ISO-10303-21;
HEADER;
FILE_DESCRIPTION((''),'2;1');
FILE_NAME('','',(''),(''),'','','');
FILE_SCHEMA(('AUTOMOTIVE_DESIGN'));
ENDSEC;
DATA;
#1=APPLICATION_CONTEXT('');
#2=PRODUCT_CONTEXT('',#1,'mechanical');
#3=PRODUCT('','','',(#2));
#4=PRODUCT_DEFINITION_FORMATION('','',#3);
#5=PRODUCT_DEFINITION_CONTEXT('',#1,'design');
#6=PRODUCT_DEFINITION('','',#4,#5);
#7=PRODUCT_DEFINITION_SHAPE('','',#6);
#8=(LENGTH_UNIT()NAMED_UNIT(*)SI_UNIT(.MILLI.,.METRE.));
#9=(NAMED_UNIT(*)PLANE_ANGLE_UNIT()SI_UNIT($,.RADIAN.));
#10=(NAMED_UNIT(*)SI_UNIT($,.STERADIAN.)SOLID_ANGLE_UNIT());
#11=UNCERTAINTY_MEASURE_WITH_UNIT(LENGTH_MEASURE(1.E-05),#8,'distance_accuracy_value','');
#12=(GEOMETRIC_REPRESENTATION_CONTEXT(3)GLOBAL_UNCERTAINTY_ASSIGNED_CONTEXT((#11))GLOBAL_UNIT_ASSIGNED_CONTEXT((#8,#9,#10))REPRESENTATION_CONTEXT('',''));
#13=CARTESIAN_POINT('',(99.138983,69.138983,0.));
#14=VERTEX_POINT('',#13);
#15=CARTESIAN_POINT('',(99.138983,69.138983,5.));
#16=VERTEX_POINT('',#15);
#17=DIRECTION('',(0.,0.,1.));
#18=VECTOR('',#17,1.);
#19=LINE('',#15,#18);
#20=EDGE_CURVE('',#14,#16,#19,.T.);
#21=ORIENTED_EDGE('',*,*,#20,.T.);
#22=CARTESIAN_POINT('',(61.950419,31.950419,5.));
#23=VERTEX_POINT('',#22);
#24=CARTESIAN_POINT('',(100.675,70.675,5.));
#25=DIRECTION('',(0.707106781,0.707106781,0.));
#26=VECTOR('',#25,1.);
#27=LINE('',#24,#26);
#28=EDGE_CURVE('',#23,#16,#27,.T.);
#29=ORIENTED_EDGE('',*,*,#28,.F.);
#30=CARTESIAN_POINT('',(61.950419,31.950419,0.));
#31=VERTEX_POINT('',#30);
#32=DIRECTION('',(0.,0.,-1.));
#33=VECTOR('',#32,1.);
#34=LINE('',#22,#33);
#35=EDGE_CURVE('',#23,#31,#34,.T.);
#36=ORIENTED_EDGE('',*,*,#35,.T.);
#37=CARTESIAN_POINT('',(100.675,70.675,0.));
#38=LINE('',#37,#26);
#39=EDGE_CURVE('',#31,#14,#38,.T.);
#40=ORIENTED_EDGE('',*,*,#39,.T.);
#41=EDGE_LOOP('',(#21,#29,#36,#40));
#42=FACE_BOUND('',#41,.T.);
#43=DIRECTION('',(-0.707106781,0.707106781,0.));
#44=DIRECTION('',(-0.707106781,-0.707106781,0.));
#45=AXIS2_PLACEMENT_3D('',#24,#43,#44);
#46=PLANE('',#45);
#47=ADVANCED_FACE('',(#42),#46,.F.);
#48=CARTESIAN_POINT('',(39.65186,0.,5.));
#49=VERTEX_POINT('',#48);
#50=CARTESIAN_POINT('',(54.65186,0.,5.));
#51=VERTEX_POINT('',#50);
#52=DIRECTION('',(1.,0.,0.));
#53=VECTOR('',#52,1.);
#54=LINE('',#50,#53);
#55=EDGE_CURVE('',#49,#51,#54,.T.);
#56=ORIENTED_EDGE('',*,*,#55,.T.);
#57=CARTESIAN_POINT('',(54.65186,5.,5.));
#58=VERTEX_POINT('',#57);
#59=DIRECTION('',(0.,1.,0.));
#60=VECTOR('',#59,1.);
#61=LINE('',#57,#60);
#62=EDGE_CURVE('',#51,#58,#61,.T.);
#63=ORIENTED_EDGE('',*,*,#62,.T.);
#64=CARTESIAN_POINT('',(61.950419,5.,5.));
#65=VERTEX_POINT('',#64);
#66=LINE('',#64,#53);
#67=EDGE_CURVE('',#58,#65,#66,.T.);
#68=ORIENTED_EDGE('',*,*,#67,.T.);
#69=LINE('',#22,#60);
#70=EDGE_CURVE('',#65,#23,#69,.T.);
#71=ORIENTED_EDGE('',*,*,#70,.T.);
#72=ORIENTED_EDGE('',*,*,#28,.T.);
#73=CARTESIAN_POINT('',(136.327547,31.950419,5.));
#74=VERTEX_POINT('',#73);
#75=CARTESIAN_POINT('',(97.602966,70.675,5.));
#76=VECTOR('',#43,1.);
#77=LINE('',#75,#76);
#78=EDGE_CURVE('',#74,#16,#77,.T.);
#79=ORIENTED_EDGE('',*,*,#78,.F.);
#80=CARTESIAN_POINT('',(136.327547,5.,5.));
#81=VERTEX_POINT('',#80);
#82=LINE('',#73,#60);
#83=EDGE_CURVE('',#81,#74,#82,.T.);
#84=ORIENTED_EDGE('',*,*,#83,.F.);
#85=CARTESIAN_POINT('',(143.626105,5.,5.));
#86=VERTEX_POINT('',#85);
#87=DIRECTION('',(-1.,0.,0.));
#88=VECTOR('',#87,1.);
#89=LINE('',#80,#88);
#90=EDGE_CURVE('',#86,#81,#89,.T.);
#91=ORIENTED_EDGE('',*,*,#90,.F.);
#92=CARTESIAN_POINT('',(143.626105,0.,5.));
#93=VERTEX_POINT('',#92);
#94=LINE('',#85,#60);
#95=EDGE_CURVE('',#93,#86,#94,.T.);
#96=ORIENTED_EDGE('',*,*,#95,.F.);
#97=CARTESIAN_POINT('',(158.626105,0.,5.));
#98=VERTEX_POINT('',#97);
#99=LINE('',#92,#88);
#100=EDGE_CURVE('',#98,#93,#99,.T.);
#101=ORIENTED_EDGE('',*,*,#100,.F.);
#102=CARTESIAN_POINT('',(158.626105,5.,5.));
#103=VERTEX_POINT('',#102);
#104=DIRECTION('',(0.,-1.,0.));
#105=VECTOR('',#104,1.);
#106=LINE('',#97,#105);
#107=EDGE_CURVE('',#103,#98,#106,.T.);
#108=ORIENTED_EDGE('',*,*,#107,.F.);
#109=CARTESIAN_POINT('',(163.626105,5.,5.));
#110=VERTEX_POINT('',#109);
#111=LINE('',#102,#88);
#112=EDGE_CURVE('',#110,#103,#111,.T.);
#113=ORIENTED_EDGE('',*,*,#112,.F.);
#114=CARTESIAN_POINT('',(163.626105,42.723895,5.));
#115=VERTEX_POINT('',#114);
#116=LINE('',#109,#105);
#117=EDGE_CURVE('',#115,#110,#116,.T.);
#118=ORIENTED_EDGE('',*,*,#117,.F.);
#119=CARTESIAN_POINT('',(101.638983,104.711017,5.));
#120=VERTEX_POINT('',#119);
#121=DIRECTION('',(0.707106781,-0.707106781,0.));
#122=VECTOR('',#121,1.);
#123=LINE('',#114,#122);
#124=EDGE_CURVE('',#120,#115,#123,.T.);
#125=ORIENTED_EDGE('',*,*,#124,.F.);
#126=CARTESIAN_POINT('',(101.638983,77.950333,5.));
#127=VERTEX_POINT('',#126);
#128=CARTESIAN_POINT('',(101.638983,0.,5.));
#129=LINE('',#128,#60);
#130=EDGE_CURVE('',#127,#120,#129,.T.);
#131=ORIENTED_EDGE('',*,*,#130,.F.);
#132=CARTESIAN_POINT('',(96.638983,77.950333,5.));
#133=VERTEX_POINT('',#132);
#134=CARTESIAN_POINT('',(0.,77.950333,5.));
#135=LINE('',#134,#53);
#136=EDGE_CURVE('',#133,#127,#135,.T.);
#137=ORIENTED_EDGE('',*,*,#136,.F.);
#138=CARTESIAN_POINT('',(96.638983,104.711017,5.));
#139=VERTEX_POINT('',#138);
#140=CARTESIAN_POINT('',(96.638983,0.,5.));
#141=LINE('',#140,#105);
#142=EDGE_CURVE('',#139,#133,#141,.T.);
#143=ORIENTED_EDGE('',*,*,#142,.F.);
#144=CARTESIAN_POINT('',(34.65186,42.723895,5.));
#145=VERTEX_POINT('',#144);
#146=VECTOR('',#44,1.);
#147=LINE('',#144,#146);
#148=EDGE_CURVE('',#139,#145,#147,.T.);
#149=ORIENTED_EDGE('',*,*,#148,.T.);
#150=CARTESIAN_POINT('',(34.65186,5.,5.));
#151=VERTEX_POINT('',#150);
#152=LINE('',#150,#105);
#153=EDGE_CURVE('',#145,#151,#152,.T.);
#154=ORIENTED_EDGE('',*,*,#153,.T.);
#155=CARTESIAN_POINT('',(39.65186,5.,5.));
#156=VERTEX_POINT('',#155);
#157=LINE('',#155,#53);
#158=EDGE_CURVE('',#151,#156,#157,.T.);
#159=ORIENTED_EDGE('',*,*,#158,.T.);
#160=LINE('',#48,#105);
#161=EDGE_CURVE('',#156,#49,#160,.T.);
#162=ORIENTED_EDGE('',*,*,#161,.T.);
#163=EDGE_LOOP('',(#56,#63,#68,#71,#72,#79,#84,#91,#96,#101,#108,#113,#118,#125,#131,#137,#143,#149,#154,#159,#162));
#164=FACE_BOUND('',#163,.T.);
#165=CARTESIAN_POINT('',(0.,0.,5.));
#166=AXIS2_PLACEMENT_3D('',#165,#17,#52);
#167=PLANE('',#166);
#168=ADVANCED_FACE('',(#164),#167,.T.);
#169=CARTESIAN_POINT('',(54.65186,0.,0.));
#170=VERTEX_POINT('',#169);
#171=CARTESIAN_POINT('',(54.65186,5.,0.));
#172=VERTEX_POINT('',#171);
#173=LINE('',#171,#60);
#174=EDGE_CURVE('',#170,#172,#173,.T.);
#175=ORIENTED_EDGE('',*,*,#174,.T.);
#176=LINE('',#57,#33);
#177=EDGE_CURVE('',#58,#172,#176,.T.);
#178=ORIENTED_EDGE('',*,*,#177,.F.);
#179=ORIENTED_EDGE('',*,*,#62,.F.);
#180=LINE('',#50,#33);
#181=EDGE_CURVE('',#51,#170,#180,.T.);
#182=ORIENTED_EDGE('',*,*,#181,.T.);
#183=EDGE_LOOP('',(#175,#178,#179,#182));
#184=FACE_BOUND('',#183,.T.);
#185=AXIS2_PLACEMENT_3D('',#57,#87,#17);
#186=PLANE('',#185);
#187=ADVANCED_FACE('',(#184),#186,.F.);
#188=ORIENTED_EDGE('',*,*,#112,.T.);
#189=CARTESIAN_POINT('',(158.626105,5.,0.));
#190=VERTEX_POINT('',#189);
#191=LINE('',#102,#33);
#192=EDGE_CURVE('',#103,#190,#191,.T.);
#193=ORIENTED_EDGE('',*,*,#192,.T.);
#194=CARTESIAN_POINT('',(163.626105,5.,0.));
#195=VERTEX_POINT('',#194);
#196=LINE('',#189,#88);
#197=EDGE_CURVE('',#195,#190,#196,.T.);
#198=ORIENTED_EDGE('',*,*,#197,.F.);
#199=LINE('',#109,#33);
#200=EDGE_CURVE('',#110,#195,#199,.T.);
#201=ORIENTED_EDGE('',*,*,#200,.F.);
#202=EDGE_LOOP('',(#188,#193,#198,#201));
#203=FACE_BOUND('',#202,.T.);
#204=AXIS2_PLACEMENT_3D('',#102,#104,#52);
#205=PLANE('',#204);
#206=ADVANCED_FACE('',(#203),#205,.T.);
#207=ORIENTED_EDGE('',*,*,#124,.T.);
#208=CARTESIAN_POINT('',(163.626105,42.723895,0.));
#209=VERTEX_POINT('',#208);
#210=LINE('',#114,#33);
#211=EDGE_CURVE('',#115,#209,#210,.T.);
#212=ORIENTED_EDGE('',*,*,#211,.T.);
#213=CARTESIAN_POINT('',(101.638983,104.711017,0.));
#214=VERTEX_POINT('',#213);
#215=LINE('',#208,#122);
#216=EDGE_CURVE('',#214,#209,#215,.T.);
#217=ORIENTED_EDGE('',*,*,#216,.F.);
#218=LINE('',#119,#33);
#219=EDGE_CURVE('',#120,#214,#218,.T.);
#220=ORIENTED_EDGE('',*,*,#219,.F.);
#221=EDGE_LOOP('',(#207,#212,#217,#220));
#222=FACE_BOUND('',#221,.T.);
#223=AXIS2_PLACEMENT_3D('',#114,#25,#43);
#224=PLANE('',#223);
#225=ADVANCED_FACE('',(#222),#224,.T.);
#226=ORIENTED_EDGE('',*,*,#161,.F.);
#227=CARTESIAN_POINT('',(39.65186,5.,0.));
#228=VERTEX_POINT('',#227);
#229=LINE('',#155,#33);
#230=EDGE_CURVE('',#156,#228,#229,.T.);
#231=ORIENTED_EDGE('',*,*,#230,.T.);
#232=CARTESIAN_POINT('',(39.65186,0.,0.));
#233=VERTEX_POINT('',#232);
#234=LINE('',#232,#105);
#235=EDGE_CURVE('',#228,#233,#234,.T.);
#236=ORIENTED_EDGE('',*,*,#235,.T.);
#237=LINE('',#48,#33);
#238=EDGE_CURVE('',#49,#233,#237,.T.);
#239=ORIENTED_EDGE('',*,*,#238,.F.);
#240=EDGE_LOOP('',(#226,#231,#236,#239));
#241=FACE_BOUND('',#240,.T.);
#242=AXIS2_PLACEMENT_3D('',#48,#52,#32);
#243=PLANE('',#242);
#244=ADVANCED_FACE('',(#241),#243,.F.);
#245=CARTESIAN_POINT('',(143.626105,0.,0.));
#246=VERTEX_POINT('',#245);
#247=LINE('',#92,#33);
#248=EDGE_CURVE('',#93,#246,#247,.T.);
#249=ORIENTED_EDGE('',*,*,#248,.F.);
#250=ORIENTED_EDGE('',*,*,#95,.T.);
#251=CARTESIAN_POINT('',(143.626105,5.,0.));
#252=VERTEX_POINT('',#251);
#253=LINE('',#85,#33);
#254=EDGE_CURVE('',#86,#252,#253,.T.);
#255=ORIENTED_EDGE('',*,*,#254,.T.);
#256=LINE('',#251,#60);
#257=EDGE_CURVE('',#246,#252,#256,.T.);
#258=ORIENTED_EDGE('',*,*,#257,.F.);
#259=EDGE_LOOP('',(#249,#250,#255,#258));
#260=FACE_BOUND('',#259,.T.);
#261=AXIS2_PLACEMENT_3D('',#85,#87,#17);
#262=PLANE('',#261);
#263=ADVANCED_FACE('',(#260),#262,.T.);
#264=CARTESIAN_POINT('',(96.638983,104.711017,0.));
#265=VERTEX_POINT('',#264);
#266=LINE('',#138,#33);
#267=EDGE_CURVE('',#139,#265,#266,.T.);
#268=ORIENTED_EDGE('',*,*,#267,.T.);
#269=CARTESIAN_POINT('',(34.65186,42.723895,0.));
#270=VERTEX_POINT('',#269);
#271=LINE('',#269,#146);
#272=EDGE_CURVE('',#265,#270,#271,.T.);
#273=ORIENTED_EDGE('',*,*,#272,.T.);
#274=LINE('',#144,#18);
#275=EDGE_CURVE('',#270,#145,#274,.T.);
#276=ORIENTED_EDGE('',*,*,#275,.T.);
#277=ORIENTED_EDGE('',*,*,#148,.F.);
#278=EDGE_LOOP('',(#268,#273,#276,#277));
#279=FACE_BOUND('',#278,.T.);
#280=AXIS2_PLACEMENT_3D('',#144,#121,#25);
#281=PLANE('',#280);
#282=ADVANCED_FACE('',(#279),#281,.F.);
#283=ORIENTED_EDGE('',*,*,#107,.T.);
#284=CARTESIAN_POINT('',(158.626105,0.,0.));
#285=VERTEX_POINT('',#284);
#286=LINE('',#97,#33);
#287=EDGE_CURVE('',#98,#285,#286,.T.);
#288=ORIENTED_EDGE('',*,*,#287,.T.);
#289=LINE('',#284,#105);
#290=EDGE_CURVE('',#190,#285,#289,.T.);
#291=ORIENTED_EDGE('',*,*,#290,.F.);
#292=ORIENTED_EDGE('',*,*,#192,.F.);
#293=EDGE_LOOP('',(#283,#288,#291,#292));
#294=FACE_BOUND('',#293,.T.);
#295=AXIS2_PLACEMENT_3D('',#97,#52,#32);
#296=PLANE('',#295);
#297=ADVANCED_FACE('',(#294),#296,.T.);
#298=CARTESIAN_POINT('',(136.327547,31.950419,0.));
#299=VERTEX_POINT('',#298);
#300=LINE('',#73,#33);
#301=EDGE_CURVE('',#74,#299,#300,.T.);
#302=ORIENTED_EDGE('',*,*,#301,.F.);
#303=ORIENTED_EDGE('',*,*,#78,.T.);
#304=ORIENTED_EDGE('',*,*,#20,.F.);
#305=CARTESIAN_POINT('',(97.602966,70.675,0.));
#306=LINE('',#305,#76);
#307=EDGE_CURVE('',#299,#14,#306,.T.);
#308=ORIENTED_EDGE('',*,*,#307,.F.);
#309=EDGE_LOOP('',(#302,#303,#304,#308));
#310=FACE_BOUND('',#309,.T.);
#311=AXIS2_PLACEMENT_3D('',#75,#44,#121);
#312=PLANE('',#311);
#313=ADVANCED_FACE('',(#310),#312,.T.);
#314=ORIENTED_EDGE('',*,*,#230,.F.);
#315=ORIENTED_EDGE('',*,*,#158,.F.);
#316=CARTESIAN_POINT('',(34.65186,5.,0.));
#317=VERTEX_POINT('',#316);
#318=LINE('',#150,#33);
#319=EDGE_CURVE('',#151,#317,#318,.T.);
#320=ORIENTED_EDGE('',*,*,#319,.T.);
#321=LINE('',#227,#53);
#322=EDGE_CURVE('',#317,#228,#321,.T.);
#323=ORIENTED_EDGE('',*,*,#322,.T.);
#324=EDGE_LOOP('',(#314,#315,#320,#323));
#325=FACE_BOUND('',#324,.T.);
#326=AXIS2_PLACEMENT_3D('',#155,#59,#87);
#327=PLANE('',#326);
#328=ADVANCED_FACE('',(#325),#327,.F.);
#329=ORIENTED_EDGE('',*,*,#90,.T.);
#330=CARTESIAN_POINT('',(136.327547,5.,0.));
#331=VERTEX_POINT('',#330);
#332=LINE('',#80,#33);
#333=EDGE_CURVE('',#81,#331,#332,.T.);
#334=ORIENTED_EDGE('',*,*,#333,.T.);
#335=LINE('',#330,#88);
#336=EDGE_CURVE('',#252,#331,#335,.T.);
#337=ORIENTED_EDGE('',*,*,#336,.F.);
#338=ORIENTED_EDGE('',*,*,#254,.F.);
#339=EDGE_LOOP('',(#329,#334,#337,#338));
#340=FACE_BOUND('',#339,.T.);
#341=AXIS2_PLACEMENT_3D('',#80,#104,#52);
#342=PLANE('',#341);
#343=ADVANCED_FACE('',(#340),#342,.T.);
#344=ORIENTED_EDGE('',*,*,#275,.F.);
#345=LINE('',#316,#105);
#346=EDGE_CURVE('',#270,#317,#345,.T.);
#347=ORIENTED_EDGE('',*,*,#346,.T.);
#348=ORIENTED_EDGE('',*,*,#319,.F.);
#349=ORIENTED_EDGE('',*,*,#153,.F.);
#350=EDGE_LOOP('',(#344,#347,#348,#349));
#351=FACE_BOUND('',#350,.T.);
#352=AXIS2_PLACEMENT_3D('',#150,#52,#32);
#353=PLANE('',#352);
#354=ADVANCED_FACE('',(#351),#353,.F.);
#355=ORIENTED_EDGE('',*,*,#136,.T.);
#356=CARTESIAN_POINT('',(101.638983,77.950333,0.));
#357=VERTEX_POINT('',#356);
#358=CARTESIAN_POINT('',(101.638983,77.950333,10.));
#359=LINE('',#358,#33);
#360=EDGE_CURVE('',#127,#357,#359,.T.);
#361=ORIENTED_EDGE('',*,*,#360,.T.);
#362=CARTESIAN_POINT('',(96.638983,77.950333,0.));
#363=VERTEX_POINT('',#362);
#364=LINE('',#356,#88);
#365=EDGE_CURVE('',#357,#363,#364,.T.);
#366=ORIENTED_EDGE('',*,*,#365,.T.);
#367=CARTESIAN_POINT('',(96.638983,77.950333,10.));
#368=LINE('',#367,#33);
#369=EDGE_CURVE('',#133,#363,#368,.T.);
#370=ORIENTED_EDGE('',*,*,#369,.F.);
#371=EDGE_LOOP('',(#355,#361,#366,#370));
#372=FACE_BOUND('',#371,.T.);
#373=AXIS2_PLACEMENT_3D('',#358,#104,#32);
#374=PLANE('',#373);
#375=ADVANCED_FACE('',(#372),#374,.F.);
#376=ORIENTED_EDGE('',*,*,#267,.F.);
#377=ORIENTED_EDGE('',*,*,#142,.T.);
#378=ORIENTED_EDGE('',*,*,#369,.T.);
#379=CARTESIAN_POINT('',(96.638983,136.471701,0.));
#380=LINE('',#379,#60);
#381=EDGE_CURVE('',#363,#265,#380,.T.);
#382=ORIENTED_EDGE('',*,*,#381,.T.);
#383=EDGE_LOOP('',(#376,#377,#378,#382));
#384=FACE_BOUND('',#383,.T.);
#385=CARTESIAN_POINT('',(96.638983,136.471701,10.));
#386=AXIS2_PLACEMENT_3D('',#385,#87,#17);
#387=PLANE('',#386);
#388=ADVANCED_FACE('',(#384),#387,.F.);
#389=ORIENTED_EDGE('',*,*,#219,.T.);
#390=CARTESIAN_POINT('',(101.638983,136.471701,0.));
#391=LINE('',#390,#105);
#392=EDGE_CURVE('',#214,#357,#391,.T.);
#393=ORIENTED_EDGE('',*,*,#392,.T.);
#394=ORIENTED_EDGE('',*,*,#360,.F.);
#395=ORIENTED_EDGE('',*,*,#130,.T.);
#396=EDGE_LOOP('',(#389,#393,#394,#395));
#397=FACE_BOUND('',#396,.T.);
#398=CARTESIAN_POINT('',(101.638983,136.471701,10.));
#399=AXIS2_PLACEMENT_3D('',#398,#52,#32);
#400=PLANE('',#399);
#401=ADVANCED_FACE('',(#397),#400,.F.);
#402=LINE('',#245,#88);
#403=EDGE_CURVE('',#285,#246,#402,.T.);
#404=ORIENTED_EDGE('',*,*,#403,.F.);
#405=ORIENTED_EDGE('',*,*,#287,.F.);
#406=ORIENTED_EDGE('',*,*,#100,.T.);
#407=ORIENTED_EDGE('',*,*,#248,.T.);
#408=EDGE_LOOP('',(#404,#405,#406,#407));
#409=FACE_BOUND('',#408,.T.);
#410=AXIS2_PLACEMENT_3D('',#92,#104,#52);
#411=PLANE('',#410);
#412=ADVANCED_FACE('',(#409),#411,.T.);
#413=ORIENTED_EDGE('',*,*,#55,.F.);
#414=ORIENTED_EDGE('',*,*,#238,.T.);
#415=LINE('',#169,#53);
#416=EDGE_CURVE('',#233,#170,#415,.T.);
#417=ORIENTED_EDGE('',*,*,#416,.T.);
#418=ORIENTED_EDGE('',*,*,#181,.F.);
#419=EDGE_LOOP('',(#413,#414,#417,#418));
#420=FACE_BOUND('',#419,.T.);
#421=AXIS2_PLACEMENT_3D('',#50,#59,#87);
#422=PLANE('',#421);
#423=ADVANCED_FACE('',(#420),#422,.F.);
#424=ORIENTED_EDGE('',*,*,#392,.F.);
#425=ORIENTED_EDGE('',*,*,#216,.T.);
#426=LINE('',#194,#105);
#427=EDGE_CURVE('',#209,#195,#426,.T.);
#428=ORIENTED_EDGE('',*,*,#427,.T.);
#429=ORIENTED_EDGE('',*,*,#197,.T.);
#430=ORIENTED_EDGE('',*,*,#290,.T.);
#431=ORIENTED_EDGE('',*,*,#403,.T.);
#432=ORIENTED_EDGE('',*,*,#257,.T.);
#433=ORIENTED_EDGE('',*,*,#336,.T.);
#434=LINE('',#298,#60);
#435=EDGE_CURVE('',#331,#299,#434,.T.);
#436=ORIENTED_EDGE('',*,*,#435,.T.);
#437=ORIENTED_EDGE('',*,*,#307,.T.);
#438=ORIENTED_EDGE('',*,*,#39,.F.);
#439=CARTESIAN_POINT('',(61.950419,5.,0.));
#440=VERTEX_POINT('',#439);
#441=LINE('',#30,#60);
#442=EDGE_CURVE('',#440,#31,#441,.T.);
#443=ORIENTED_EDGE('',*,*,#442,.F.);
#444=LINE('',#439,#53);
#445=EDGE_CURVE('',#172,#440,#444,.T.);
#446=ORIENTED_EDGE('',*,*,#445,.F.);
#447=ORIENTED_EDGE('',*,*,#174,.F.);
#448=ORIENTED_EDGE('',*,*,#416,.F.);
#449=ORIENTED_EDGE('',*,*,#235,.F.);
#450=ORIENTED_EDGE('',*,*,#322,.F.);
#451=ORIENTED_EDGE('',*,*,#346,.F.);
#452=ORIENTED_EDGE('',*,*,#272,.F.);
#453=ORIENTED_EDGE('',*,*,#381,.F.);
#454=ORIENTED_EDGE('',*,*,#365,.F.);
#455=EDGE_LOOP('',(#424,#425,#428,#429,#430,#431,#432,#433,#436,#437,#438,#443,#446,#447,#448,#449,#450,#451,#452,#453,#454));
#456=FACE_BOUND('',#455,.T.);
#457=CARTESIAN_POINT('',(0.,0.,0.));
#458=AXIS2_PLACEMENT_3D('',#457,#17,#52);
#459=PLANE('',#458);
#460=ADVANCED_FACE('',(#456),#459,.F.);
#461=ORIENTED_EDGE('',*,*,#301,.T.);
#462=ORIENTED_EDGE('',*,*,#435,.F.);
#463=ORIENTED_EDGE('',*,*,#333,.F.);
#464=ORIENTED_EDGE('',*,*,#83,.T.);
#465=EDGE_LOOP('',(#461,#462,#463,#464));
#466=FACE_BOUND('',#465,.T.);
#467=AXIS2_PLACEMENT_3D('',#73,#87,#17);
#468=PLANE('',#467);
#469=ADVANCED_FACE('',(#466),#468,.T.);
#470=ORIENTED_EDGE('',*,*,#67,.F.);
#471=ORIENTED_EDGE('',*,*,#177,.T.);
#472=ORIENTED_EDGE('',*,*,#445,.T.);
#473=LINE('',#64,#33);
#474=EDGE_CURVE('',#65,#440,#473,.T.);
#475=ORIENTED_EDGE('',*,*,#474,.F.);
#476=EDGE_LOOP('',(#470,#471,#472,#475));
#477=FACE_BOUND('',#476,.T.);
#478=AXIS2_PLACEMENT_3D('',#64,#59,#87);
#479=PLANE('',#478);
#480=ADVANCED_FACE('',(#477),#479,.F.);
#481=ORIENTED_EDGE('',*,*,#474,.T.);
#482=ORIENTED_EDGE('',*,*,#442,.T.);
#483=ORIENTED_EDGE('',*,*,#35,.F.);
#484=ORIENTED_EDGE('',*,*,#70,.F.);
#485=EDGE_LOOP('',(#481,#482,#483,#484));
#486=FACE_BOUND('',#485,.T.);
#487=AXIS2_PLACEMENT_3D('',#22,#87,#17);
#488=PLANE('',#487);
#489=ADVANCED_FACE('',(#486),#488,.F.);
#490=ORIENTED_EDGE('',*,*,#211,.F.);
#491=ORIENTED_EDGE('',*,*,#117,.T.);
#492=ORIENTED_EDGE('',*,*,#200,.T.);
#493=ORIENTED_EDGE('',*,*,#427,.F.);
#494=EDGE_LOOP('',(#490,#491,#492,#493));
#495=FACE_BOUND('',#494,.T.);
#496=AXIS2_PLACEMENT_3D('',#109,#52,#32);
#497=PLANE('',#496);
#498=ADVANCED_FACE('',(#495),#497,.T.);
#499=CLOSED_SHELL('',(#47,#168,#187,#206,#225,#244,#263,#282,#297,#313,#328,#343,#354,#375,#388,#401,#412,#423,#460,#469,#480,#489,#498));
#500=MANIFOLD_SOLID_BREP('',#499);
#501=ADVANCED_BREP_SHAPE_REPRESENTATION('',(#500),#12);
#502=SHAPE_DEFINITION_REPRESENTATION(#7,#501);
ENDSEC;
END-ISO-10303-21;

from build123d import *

# Parameters (mm, degrees)
BOSS_EXTRUDE1_DEPTH = 5
CUT_EXTRUDE1_DEPTH  = 10
SKETCH3_W           = 102.016100564
SKETCH3_H           = 114.3636127
CUT_EXTRUDE2_DEPTH  = 10
SKETCH4_W           = 42.096187012
SKETCH4_H           = 80.761359859
CUT_EXTRUDE3_DEPTH  = 10
SKETCH5_W           = 5
SKETCH5_H           = 58.521368684
CUT_EXTRUDE4_DEPTH  = 10


with BuildPart() as part:
    # Sketch1 → Boss-Extrude1 (new body)
    with BuildSketch(Plane.XY):
        Polygon((34.65186026, 42.723894515), (99.138982873, 107.211017127), (200, 6.35), (185, 6.35), (185, 0), (170, 0), (170, 6.35), (165, 6.35), (100.675, 70.675), (61.950419081, 31.950419081), (61.950419081, 5), (54.65186026, 5), (54.65186026, 0), (39.65186026, 0), (39.65186026, 5), (34.65186026, 5), align=None)
    boss_extrude1 = extrude(amount=BOSS_EXTRUDE1_DEPTH)

    # Sketch2 → Cut-Extrude1 (cut)
    with BuildSketch(Plane.XY.offset(5)):
        Polygon((96.638982873, 104.711017127), (96.638982873, 80.711017127), (101.638982873, 80.711017127), (101.638982873, 104.711017127), (99.138982873, 107.211017127), align=None)
    extrude(amount=-CUT_EXTRUDE1_DEPTH, mode=Mode.SUBTRACT)

    # Sketch3 → Cut-Extrude2 (cut)
    with BuildSketch(Plane.XY.offset(5)):
        with Locations((150.147033155, 51.840357155)):
            Rectangle(SKETCH3_W, SKETCH3_H)
    extrude(amount=-CUT_EXTRUDE2_DEPTH, mode=Mode.SUBTRACT)

    # Mirror1: Boss-Extrude1 across plane
    add(boss_extrude1.mirror(Plane(origin=(99.138982873, 109.022163505, -5), x_dir=(0, 0, 1), z_dir=(-1, 0, 0))))

    # Sketch4 → Cut-Extrude3 (cut)
    with BuildSketch(Plane(origin=(0, 0, 0), x_dir=(-1, 0, 0), z_dir=(0, 0, -1))):
        with Locations((-13.603766754, 32.73650171)):
            Rectangle(SKETCH4_W, SKETCH4_H)
    extrude(amount=-CUT_EXTRUDE3_DEPTH, mode=Mode.SUBTRACT)

    # Sketch5 → Cut-Extrude4 (cut)
    with BuildSketch(Plane(origin=(0, 0, 0), x_dir=(-1, 0, 0), z_dir=(0, 0, -1))):
        with Locations((-99.138982873, 107.211017127)):
            Rectangle(SKETCH5_W, SKETCH5_H)
    extrude(amount=-CUT_EXTRUDE4_DEPTH, mode=Mode.SUBTRACT)


solid = part.part
